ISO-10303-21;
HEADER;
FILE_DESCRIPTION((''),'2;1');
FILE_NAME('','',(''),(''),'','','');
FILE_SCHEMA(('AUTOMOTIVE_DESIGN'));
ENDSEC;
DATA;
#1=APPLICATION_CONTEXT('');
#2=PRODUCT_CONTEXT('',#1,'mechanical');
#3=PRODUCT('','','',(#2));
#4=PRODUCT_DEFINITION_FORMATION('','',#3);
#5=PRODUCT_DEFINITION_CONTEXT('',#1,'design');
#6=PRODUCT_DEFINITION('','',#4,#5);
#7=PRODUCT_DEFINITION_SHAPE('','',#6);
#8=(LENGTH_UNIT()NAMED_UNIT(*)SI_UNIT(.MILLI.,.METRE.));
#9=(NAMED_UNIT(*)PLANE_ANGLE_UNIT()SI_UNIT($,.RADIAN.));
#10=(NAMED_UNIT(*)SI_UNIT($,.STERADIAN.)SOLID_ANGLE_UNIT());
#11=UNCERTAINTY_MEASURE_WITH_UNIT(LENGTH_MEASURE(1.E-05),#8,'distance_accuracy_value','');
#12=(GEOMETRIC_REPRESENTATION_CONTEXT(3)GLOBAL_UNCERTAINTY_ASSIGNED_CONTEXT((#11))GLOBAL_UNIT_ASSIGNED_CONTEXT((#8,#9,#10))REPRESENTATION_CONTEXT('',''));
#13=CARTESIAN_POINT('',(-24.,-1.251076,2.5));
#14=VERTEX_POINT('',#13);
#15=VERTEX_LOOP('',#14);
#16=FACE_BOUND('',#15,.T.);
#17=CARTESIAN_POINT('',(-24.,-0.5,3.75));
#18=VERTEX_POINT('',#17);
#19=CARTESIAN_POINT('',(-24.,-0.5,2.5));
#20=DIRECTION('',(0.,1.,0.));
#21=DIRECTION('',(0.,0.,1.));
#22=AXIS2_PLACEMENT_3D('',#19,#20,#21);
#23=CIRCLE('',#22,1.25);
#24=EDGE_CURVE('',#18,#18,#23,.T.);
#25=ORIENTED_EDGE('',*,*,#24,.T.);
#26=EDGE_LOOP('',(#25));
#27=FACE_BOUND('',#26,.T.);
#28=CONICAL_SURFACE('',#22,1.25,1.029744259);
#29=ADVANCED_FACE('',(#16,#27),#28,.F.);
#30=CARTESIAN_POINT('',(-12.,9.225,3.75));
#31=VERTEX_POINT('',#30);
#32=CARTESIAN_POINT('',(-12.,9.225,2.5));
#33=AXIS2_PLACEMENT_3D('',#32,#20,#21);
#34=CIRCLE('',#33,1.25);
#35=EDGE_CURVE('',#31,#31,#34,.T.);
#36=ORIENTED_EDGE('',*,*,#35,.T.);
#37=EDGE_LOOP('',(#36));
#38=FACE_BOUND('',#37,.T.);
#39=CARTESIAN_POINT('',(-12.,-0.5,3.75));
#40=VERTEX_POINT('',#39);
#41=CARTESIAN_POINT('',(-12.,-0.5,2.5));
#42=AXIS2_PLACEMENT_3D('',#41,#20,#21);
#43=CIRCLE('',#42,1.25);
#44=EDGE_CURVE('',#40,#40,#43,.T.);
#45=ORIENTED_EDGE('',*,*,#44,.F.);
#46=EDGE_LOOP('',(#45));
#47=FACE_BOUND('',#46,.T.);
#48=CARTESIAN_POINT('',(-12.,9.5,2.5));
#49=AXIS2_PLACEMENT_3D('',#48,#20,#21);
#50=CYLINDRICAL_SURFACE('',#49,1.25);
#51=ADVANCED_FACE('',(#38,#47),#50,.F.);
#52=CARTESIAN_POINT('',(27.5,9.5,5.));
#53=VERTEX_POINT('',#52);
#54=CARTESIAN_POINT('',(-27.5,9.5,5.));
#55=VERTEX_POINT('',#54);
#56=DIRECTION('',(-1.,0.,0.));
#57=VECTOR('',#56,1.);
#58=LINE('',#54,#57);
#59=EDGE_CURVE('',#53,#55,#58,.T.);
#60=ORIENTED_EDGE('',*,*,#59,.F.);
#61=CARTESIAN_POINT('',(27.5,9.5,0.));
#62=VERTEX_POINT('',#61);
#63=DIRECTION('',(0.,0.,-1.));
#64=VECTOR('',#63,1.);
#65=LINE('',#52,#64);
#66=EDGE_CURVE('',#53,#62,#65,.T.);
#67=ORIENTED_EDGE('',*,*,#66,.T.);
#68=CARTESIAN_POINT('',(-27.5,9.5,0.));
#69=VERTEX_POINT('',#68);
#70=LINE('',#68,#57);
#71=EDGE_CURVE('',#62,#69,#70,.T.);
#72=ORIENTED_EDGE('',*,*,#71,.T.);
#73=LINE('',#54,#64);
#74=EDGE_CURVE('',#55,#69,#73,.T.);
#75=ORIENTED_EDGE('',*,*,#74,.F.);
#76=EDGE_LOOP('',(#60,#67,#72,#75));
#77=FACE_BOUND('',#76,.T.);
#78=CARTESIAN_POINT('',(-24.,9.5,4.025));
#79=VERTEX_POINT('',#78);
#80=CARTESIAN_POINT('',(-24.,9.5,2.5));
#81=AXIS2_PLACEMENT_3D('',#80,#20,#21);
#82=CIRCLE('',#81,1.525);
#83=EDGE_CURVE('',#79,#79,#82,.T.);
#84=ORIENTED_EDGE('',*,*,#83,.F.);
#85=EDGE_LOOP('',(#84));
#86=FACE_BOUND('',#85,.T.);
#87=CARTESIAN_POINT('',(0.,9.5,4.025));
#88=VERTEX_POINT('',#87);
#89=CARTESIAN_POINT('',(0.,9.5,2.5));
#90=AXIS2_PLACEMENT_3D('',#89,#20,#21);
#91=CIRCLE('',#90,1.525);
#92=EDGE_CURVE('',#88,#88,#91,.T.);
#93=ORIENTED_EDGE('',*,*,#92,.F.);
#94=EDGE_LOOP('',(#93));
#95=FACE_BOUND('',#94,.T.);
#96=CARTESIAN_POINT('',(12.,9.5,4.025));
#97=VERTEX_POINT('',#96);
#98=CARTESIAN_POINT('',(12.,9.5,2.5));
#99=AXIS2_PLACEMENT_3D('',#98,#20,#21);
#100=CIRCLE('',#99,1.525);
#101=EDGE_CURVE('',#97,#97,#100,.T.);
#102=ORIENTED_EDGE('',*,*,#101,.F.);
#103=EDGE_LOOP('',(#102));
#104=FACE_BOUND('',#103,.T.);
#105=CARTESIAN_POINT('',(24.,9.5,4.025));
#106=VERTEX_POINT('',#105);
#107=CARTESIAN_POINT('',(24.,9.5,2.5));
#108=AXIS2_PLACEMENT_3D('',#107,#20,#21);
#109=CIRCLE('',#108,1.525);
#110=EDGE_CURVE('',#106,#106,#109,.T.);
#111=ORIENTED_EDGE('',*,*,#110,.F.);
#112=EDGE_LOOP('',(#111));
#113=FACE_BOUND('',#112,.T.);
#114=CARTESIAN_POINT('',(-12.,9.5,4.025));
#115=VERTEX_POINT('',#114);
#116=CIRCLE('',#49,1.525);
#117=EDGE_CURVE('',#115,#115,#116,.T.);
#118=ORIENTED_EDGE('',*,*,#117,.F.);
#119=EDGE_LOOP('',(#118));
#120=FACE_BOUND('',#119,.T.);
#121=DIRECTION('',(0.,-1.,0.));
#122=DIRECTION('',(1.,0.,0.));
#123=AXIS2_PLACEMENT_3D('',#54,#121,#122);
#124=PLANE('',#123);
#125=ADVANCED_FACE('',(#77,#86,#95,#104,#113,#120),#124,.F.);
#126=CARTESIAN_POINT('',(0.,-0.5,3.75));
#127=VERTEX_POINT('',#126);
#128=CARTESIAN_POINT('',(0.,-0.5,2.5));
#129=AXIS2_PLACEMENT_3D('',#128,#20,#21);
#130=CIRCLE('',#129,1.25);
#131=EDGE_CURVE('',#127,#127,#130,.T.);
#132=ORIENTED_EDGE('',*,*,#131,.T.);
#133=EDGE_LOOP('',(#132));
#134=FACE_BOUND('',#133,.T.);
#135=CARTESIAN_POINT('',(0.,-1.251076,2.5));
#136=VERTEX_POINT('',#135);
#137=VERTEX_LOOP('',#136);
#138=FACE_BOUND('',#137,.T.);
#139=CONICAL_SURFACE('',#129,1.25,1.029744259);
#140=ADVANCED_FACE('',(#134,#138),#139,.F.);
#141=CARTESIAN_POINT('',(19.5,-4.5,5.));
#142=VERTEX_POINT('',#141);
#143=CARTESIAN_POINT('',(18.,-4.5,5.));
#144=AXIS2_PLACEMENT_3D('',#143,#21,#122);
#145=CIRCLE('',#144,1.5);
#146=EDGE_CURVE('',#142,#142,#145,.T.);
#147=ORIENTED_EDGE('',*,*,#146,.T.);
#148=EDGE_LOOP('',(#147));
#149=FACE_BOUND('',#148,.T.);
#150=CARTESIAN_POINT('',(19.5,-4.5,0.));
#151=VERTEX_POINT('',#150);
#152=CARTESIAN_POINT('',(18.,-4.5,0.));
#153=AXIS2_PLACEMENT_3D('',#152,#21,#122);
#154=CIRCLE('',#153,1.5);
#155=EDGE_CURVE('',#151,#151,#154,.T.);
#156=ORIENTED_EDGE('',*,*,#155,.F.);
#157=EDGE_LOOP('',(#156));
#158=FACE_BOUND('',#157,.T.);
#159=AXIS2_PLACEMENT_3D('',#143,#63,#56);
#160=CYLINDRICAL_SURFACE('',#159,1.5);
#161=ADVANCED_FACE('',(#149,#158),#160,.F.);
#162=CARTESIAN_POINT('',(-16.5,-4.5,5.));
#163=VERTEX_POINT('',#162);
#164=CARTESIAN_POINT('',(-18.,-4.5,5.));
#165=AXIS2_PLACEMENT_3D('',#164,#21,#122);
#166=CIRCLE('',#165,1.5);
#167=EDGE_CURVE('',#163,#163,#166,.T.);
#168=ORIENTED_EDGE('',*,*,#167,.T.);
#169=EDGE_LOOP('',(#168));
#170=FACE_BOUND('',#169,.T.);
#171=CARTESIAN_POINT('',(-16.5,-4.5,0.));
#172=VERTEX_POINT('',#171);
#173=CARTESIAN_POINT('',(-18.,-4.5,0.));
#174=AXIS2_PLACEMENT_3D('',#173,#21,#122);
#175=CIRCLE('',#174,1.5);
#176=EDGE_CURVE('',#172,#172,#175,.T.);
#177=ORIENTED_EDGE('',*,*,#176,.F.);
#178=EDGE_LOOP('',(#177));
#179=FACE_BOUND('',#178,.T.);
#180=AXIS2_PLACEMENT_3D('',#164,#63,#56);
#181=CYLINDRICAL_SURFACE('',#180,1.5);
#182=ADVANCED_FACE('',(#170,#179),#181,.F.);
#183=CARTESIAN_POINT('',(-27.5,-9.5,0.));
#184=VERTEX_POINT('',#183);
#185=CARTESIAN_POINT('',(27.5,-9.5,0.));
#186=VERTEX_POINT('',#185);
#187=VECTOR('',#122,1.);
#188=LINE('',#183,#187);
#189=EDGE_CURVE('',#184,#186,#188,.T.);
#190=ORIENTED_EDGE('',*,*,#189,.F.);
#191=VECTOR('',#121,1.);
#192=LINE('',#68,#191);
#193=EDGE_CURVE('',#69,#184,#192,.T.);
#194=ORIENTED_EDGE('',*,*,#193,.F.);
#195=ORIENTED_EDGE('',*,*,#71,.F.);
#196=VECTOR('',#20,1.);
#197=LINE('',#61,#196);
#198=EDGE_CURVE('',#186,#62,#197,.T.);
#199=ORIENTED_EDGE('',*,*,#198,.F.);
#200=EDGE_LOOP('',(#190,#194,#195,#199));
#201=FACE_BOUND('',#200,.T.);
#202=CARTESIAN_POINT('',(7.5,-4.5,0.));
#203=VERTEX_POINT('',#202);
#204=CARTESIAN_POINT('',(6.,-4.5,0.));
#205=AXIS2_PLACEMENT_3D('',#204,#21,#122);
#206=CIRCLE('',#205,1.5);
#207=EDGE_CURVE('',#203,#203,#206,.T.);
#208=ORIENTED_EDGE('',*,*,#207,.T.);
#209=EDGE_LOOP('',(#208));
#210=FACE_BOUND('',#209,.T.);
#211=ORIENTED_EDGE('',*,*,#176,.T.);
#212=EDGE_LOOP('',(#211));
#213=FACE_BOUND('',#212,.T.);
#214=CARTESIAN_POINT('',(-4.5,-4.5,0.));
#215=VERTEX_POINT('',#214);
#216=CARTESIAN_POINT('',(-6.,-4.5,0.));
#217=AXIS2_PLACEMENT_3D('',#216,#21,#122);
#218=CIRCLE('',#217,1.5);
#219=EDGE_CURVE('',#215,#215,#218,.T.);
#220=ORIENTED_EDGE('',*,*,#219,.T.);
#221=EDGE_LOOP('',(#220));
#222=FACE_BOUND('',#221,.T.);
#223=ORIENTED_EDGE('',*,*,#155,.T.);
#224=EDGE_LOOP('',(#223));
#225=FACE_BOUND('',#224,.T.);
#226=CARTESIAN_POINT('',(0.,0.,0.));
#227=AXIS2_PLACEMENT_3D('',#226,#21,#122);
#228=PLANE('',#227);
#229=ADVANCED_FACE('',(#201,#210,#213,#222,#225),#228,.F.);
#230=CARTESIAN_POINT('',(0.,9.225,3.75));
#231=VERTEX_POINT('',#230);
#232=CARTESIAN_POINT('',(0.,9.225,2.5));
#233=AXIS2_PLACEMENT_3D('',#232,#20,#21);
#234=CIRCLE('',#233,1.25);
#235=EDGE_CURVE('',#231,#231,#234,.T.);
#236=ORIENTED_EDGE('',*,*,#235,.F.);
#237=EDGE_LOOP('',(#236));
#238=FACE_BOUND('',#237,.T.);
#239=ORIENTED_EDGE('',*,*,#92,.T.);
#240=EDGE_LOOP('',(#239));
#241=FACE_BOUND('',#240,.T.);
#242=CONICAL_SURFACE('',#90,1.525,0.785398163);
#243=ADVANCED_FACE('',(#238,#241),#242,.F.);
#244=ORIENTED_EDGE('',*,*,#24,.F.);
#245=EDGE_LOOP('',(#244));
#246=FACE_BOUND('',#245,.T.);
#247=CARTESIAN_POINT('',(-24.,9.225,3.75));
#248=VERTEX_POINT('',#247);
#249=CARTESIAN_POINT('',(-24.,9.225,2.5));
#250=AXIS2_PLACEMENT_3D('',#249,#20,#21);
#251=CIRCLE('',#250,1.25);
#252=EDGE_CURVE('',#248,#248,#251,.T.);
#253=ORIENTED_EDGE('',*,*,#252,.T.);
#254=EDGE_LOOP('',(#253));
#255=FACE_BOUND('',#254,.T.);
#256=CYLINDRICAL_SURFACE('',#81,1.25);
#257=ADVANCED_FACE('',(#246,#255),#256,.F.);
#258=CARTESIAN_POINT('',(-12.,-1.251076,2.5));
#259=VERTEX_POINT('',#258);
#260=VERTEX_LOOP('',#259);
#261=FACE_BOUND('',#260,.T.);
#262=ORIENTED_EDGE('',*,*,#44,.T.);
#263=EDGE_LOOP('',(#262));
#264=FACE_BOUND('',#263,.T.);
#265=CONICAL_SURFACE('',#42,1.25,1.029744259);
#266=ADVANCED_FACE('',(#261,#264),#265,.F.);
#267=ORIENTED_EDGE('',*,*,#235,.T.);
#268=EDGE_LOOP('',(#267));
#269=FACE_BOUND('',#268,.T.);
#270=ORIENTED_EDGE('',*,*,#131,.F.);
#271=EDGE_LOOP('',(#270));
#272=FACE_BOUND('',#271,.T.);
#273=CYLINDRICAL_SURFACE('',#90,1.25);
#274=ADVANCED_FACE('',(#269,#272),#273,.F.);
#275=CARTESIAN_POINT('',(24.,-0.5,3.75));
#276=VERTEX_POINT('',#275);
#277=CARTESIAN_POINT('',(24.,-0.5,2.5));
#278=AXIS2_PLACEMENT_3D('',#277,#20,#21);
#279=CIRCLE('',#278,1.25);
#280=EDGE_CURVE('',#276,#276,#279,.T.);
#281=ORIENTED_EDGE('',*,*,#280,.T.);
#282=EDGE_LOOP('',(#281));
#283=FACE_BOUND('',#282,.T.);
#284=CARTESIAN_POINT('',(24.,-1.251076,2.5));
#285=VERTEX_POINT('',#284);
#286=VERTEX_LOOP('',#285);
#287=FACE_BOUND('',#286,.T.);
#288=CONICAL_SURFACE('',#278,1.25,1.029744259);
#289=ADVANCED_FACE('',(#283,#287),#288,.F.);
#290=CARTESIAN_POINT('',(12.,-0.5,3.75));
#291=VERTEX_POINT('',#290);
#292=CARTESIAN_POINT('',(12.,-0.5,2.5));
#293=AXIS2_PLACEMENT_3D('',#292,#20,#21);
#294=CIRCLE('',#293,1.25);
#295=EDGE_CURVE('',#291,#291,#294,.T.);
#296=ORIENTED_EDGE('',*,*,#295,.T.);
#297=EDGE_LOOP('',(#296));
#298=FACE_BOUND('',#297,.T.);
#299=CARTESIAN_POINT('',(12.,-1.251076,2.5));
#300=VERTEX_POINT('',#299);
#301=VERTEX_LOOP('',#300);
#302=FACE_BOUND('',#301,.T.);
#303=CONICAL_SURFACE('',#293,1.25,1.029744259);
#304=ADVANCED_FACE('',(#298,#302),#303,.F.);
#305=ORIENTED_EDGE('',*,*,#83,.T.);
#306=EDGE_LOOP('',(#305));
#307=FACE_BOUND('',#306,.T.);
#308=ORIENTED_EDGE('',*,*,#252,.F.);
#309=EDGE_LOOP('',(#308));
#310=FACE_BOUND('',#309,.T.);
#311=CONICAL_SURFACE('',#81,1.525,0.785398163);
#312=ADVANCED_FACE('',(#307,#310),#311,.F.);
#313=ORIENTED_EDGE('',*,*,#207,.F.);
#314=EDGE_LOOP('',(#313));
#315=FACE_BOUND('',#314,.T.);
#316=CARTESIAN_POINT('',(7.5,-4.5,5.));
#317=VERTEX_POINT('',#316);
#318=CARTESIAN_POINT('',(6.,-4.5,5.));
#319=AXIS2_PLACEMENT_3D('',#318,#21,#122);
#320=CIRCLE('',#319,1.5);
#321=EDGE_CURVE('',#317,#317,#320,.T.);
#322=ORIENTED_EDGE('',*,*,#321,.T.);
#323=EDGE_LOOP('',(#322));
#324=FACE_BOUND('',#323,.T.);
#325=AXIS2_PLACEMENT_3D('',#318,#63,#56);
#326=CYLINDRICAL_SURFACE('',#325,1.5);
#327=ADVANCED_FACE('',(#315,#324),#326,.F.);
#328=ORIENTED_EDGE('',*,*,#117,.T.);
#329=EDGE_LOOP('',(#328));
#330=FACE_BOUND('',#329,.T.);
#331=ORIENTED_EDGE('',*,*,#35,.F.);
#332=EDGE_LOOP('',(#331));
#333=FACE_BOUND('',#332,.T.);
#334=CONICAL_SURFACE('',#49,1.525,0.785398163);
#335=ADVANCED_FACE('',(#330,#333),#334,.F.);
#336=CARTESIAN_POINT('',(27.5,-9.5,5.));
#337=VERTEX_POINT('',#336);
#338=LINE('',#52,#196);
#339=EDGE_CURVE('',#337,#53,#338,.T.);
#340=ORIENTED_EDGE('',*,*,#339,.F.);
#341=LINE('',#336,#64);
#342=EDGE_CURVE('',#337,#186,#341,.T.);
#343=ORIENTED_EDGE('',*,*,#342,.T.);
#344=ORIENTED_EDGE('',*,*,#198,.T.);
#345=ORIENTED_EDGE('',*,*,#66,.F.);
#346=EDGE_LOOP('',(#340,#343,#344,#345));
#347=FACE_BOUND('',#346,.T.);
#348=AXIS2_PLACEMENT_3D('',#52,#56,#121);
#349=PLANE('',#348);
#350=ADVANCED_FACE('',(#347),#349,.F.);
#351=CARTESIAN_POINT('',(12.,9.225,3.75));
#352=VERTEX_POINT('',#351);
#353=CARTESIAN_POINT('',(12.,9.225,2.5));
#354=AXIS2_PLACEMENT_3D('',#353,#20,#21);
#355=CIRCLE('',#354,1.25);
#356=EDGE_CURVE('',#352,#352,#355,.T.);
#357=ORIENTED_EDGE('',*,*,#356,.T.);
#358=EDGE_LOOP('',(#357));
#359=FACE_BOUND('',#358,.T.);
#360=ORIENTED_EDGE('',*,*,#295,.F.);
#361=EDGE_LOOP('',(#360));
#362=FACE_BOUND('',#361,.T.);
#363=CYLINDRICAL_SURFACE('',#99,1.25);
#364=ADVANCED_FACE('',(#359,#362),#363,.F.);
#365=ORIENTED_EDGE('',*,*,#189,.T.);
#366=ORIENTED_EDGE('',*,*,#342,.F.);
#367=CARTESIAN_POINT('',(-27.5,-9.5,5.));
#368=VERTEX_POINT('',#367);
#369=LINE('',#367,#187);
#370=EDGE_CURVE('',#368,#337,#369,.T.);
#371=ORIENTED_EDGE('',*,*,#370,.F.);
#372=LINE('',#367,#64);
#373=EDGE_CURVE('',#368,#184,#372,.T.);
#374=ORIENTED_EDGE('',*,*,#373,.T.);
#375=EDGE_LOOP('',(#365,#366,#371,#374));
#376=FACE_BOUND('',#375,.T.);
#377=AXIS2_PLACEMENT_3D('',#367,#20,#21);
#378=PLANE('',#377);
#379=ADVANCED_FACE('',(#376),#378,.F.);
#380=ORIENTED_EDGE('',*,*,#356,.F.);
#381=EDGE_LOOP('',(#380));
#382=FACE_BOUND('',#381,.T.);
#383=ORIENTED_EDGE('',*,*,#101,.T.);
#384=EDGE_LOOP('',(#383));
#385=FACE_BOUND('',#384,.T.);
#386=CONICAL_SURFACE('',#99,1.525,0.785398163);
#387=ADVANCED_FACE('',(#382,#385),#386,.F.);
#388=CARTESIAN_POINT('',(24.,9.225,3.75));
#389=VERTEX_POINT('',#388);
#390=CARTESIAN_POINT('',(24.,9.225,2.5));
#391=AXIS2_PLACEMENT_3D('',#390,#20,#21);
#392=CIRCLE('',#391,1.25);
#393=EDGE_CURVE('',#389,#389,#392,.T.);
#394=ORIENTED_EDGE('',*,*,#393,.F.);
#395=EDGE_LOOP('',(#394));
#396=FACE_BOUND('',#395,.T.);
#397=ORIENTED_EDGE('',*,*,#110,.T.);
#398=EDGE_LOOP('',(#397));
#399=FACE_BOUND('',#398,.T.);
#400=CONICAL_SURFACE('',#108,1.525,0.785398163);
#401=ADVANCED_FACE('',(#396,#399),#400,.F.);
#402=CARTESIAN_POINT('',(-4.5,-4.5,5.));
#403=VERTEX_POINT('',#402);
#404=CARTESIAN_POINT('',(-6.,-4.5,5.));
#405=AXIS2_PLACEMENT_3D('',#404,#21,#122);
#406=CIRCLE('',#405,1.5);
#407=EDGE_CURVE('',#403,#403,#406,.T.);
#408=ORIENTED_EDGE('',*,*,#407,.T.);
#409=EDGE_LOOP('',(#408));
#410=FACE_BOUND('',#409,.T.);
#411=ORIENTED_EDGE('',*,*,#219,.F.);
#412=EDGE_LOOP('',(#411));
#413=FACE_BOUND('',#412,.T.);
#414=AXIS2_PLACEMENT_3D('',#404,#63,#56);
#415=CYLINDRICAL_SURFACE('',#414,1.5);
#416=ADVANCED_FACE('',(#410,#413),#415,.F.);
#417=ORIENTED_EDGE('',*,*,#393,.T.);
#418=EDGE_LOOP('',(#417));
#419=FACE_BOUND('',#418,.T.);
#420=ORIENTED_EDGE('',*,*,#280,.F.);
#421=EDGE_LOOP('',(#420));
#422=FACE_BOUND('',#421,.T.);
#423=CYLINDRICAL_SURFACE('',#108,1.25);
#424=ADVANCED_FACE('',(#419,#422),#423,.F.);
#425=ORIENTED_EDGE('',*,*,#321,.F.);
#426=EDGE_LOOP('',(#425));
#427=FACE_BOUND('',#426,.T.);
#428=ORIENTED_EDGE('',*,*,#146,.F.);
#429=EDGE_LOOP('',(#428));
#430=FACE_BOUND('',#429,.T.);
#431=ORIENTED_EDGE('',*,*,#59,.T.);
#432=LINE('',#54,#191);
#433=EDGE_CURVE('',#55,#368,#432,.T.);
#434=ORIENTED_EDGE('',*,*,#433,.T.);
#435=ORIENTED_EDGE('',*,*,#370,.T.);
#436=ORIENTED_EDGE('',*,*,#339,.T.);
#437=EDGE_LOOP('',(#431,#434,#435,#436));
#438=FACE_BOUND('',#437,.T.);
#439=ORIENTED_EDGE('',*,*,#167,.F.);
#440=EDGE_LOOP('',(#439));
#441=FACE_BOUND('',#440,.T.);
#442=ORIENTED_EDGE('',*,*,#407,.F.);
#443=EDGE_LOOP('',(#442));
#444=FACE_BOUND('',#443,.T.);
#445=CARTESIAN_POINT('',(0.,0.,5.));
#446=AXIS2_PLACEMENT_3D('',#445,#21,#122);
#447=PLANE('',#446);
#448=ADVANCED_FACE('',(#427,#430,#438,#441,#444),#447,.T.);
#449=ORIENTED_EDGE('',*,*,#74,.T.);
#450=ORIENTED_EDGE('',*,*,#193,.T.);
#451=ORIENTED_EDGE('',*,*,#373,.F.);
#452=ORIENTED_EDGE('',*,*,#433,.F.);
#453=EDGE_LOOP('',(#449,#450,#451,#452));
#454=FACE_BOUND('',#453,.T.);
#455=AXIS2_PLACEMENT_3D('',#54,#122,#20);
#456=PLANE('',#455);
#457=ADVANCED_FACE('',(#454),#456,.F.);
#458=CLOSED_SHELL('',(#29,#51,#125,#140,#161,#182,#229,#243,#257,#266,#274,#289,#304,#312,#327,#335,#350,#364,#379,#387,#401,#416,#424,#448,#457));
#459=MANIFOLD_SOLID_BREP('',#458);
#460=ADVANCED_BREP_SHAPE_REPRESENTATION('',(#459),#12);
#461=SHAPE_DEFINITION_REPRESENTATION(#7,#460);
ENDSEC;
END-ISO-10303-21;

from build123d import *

# Parameters (mm, degrees)
SKETCH_1_W                   = 55
SKETCH_1_H                   = 19
SKETCH_1_R                   = 1.5
EXTRUDE_1_DEPTH              = 5
HOLE_WIZARD_M3_2_D           = 2.5
HOLE_WIZARD_M3_2_DEPTH       = 10
HOLE_WIZARD_M3_2_CSINK_D     = 3.05
HOLE_WIZARD_M3_2_CSINK_ANGLE = 90
HOLE_WIZARD_M3_2_TIP         = 0.751075774


with BuildPart() as part:
    # 草圖1 → 填料-伸長1 (new body)
    with BuildSketch(Plane.XY):
        Rectangle(SKETCH_1_W, SKETCH_1_H)
        with Locations((18, -4.5)):
            Circle(SKETCH_1_R, mode=Mode.SUBTRACT)
        with Locations((6, -4.5)):
            Circle(SKETCH_1_R, mode=Mode.SUBTRACT)
        with Locations((-6, -4.5)):
            Circle(SKETCH_1_R, mode=Mode.SUBTRACT)
        with Locations((-18, -4.5)):
            Circle(SKETCH_1_R, mode=Mode.SUBTRACT)
    extrude(amount=EXTRUDE_1_DEPTH)

    # M3 螺紋孔2
    with Locations(Plane(origin=(-24, 9.5, 2.5), x_dir=(1, 0, 0), z_dir=(0, 1, 0))):
        with Locations((0, 0), (12, 0), (24, 0), (36, 0), (48, 0)):
            CounterSinkHole(HOLE_WIZARD_M3_2_D / 2, HOLE_WIZARD_M3_2_CSINK_D / 2, depth=HOLE_WIZARD_M3_2_DEPTH, counter_sink_angle=HOLE_WIZARD_M3_2_CSINK_ANGLE)
            with Locations((0, 0, -(HOLE_WIZARD_M3_2_DEPTH + HOLE_WIZARD_M3_2_TIP / 2))):  # 118° drill point
                Cone(0, HOLE_WIZARD_M3_2_D / 2, HOLE_WIZARD_M3_2_TIP, mode=Mode.SUBTRACT)


solid = part.part
